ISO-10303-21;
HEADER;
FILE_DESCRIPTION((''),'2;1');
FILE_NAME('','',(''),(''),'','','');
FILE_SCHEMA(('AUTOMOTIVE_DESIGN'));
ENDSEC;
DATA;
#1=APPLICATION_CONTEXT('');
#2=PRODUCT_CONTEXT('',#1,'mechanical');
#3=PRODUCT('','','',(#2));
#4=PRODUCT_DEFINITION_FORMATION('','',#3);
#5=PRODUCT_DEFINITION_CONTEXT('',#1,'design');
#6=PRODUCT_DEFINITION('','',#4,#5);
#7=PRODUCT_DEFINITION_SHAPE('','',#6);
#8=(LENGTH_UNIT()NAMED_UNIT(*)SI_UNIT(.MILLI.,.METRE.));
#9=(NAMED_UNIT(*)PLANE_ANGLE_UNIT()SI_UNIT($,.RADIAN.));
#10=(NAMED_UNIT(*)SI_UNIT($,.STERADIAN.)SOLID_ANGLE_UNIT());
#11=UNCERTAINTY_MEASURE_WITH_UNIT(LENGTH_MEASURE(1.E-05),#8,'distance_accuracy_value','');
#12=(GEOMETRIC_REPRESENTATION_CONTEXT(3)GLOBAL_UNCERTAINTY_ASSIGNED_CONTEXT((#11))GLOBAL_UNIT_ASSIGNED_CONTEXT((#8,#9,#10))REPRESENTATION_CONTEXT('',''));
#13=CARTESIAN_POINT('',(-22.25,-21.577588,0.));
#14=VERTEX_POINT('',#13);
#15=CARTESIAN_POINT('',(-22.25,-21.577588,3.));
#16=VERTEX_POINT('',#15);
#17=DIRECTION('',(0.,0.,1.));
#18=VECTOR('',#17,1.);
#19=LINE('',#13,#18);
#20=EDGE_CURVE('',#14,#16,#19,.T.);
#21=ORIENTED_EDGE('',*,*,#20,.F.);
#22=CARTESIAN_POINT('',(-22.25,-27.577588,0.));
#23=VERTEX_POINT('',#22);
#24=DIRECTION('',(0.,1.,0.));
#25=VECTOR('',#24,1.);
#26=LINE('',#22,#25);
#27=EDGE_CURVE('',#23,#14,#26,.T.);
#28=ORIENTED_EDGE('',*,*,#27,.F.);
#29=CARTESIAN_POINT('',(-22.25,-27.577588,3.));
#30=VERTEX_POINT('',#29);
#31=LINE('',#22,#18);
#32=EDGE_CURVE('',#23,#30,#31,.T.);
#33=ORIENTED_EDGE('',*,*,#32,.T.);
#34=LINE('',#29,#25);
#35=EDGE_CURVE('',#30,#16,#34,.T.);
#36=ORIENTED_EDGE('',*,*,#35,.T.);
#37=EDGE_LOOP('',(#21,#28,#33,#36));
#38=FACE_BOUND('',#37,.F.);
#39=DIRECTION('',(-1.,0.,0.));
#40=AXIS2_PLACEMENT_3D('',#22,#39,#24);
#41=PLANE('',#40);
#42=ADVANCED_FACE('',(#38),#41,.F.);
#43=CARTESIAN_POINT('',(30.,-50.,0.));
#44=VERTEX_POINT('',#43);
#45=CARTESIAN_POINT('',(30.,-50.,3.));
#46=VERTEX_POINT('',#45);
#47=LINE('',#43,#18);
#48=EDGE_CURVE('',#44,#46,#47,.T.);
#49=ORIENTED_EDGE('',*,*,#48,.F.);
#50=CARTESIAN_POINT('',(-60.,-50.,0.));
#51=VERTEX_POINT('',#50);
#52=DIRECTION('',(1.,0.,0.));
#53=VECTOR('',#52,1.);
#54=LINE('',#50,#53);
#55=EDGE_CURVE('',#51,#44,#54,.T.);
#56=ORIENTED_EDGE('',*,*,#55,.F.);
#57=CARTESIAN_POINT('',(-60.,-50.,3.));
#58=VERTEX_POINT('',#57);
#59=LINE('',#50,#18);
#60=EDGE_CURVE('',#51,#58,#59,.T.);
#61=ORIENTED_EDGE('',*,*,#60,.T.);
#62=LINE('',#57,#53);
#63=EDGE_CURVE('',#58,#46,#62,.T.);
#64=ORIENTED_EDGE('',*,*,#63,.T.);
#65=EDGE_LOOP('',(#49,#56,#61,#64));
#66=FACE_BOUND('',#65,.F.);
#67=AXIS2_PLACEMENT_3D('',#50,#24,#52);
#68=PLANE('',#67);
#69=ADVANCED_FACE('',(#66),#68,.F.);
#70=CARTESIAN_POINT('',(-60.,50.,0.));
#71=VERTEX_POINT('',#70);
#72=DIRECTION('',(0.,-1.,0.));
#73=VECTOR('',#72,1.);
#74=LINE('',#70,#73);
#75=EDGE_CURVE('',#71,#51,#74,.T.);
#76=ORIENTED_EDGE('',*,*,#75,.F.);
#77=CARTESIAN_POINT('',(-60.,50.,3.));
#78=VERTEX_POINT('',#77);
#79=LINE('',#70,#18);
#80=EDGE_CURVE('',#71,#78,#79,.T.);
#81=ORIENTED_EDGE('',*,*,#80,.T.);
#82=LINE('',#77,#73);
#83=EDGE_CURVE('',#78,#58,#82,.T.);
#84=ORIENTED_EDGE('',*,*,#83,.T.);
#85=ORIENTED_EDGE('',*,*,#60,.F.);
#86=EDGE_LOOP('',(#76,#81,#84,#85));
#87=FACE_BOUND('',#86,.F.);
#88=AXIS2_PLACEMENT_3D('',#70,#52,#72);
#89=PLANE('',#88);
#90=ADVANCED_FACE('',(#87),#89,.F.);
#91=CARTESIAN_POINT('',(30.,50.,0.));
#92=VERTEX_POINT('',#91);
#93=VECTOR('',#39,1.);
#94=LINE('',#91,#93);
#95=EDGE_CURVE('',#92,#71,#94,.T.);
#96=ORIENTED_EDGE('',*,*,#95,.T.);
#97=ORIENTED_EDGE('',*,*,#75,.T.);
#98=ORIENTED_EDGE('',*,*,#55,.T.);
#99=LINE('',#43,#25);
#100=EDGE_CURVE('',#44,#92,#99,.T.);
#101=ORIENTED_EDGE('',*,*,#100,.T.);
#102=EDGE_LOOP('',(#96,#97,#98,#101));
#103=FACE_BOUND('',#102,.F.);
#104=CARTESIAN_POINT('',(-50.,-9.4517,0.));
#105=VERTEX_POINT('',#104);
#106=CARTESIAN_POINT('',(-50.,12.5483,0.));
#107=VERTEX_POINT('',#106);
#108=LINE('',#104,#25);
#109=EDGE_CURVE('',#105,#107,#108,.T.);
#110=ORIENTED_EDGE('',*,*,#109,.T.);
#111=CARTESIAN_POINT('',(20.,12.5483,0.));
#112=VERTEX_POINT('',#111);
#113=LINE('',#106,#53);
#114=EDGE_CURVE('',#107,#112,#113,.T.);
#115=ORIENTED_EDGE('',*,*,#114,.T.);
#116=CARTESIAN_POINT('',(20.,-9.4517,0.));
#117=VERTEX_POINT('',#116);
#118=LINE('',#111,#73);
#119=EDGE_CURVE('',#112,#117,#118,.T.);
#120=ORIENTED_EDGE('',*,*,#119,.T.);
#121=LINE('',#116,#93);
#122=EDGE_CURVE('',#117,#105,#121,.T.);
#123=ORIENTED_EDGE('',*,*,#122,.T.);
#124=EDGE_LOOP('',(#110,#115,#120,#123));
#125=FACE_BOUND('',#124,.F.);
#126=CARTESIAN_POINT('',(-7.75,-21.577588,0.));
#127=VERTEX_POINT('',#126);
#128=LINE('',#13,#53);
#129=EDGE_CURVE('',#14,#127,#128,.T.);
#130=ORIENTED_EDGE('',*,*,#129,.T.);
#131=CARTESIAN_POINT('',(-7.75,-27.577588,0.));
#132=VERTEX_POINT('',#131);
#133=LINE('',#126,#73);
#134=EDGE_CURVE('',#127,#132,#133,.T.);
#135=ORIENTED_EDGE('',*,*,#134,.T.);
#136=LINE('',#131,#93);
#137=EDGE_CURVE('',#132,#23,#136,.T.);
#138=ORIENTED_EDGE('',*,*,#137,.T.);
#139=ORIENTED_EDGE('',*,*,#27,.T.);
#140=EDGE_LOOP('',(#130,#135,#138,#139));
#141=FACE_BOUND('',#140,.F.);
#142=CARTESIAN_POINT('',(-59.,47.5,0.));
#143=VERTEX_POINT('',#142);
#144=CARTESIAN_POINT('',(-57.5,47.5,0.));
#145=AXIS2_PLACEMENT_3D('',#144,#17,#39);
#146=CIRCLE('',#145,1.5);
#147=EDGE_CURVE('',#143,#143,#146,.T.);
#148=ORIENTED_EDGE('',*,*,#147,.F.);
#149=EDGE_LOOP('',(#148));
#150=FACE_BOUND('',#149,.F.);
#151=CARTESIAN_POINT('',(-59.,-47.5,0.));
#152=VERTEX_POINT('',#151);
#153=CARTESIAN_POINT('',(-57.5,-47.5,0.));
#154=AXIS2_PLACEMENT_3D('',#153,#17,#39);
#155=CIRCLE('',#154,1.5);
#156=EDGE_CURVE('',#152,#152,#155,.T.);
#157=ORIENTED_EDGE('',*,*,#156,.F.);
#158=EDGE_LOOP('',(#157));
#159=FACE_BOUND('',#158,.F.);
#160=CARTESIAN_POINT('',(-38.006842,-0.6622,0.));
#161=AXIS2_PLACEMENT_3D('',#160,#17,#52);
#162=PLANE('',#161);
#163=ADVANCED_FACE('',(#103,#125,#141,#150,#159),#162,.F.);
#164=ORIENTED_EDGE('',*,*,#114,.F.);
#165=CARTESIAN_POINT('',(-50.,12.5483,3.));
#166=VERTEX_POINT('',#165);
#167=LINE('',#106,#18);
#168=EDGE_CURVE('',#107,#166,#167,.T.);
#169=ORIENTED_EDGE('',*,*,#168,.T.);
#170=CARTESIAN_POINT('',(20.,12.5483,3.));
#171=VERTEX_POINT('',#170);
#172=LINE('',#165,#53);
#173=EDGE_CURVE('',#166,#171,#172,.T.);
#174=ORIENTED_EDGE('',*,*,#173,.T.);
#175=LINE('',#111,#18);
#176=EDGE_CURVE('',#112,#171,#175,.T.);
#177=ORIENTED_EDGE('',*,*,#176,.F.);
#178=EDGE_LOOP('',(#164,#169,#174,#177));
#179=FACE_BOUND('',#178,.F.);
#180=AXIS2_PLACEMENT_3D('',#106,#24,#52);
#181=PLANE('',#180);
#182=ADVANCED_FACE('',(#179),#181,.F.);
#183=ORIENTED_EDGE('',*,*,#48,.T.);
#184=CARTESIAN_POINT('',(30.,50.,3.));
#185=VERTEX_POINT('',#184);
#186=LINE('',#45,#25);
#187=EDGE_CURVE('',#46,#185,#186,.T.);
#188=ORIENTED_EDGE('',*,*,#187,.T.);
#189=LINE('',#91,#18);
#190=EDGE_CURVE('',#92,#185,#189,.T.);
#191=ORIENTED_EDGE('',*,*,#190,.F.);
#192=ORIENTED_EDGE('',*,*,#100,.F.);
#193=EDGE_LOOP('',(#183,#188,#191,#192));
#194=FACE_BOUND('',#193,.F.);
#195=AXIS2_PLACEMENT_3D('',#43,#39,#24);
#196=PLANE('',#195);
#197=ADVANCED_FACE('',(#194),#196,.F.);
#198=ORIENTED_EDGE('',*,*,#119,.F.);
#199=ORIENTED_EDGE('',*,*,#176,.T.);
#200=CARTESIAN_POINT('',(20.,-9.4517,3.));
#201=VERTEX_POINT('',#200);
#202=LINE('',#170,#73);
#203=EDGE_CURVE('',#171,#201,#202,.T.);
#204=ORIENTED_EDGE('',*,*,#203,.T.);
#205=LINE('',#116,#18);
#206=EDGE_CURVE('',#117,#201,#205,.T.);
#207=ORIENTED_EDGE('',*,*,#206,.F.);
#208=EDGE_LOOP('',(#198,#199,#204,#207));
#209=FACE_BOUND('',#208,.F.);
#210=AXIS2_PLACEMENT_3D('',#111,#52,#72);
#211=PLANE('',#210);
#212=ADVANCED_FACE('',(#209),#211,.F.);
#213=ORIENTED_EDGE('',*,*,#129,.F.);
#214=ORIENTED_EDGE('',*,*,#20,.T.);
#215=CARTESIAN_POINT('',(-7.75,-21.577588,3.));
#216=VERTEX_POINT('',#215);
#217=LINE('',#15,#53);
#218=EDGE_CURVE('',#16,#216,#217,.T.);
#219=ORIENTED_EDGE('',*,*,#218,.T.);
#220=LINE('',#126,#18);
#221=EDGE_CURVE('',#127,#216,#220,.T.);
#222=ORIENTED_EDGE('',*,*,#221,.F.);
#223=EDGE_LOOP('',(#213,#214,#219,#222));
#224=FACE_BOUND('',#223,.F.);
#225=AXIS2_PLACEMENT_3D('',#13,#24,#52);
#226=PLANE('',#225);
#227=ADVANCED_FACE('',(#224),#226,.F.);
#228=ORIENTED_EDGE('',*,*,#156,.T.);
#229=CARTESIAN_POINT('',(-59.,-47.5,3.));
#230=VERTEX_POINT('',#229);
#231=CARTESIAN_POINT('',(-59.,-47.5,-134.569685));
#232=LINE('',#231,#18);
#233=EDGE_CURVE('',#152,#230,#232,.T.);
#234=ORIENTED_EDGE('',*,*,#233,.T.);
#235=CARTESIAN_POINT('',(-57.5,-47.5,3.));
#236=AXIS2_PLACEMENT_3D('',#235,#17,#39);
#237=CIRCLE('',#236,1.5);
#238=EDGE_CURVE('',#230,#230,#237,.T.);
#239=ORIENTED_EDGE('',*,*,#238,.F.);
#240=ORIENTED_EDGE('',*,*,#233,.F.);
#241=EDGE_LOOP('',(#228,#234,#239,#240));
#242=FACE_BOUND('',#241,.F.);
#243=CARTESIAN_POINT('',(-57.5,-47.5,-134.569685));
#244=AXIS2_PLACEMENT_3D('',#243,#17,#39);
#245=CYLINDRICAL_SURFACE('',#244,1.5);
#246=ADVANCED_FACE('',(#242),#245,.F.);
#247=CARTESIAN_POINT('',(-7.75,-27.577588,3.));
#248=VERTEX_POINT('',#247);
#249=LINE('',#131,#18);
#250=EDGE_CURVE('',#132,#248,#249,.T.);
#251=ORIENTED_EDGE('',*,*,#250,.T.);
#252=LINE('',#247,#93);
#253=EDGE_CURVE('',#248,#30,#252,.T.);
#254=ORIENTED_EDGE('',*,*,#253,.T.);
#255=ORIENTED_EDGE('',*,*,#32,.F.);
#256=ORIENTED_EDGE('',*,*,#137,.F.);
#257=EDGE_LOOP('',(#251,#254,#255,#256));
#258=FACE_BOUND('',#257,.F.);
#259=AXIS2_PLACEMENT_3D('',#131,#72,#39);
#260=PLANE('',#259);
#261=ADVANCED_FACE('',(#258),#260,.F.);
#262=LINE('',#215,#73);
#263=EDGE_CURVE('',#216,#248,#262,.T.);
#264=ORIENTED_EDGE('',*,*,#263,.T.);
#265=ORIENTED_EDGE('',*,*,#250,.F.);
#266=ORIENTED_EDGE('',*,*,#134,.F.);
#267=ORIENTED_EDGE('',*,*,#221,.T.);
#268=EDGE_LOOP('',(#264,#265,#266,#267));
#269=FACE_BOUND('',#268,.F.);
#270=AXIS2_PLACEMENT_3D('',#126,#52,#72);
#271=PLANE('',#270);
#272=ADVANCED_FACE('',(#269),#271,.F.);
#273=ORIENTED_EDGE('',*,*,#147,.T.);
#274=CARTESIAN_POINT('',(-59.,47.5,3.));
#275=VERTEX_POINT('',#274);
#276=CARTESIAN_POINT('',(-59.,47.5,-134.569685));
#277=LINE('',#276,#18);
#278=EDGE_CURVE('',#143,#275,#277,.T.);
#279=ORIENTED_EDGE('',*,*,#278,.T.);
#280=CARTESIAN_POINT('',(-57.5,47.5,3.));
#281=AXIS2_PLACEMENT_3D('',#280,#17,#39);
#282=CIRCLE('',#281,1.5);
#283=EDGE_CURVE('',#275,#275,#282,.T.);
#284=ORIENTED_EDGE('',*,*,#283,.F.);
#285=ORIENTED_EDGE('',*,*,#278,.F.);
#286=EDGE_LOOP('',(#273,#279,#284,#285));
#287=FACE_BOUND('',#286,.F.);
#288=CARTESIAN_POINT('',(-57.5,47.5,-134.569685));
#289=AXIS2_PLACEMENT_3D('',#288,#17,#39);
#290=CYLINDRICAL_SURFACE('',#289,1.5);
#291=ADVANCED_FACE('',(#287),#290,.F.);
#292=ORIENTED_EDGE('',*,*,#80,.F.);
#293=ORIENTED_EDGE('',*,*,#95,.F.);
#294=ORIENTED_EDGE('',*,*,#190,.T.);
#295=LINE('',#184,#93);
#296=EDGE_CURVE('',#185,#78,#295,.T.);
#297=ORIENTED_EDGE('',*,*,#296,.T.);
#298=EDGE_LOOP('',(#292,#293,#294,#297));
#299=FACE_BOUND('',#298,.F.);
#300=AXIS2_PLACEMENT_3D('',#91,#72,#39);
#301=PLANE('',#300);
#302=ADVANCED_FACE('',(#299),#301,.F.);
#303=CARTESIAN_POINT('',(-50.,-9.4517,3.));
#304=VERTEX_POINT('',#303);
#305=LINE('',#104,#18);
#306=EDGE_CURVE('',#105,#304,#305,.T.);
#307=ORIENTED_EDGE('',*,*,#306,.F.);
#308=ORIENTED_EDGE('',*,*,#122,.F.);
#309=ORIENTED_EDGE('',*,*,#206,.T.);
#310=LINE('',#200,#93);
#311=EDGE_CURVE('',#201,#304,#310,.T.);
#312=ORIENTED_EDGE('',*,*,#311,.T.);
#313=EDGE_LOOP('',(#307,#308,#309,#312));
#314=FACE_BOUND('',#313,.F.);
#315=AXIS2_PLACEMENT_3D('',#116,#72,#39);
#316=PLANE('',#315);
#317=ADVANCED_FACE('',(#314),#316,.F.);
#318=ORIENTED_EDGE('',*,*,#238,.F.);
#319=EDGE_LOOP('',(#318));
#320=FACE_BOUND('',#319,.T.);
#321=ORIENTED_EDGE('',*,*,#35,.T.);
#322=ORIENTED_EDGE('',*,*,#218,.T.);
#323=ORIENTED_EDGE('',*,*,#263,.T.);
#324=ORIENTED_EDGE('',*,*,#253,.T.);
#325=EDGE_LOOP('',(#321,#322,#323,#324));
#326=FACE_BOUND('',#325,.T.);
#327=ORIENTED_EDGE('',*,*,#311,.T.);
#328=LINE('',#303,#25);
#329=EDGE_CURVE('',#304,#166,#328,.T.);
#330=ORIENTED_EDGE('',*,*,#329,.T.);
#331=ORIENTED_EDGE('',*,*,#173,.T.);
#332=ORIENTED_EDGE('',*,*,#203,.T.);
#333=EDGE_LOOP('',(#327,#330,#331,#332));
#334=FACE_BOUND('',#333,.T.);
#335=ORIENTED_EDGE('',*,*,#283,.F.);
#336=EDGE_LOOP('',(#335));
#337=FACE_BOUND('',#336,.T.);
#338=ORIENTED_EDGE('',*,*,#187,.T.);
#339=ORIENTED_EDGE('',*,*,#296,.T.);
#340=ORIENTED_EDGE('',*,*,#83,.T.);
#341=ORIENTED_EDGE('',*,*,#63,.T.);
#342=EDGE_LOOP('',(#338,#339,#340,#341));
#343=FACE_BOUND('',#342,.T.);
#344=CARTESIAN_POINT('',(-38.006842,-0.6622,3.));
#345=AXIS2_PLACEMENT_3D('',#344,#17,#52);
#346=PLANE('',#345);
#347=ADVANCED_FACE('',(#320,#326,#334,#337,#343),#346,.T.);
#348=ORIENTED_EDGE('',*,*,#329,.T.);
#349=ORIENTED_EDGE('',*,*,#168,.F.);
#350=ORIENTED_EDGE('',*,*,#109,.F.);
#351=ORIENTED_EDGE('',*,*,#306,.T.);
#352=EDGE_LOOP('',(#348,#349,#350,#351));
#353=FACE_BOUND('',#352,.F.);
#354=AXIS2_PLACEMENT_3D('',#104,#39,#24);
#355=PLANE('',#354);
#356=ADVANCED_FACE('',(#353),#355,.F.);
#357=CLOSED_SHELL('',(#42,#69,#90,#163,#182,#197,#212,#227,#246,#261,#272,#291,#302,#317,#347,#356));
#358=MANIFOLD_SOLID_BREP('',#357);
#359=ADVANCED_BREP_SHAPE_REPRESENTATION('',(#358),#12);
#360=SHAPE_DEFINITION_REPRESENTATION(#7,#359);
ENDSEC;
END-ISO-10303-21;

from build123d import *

# Parameters (mm, degrees)
F1_DEPTH = 3
F2_D     = 3


with BuildPart() as f1:
    # F0 (on Top) → F1 (new body)
    with BuildSketch(Plane.XY):
        Polygon((-15, 50), (-60, 50), (-60, -50), (-15, -50), (-15, -27.577588), (-22.25, -27.577588), (-22.25, -21.577588), (-15, -21.577588), (-15, -9.4517), (-50, -9.4517), (-50, 12.5483), (-15, 12.5483), align=None)
        Polygon((30, 50), (-15, 50), (-15, 12.5483), (20, 12.5483), (20, -9.4517), (-15, -9.4517), (-15, -21.577588), (-7.75, -21.577588), (-7.75, -27.577588), (-15, -27.577588), (-15, -50), (30, -50), align=None)
    extrude(amount=F1_DEPTH)

    # F2 (through all)
    with Locations(Plane(origin=(0, 0, 0), x_dir=(1, 0, 0), z_dir=(0, 0, -1))):
        with Locations((-57.5, 47.5), (57.5, 47.5), (57.5, -47.5), (-57.5, -47.5)):
            Hole(F2_D / 2)


solid = f1.part
